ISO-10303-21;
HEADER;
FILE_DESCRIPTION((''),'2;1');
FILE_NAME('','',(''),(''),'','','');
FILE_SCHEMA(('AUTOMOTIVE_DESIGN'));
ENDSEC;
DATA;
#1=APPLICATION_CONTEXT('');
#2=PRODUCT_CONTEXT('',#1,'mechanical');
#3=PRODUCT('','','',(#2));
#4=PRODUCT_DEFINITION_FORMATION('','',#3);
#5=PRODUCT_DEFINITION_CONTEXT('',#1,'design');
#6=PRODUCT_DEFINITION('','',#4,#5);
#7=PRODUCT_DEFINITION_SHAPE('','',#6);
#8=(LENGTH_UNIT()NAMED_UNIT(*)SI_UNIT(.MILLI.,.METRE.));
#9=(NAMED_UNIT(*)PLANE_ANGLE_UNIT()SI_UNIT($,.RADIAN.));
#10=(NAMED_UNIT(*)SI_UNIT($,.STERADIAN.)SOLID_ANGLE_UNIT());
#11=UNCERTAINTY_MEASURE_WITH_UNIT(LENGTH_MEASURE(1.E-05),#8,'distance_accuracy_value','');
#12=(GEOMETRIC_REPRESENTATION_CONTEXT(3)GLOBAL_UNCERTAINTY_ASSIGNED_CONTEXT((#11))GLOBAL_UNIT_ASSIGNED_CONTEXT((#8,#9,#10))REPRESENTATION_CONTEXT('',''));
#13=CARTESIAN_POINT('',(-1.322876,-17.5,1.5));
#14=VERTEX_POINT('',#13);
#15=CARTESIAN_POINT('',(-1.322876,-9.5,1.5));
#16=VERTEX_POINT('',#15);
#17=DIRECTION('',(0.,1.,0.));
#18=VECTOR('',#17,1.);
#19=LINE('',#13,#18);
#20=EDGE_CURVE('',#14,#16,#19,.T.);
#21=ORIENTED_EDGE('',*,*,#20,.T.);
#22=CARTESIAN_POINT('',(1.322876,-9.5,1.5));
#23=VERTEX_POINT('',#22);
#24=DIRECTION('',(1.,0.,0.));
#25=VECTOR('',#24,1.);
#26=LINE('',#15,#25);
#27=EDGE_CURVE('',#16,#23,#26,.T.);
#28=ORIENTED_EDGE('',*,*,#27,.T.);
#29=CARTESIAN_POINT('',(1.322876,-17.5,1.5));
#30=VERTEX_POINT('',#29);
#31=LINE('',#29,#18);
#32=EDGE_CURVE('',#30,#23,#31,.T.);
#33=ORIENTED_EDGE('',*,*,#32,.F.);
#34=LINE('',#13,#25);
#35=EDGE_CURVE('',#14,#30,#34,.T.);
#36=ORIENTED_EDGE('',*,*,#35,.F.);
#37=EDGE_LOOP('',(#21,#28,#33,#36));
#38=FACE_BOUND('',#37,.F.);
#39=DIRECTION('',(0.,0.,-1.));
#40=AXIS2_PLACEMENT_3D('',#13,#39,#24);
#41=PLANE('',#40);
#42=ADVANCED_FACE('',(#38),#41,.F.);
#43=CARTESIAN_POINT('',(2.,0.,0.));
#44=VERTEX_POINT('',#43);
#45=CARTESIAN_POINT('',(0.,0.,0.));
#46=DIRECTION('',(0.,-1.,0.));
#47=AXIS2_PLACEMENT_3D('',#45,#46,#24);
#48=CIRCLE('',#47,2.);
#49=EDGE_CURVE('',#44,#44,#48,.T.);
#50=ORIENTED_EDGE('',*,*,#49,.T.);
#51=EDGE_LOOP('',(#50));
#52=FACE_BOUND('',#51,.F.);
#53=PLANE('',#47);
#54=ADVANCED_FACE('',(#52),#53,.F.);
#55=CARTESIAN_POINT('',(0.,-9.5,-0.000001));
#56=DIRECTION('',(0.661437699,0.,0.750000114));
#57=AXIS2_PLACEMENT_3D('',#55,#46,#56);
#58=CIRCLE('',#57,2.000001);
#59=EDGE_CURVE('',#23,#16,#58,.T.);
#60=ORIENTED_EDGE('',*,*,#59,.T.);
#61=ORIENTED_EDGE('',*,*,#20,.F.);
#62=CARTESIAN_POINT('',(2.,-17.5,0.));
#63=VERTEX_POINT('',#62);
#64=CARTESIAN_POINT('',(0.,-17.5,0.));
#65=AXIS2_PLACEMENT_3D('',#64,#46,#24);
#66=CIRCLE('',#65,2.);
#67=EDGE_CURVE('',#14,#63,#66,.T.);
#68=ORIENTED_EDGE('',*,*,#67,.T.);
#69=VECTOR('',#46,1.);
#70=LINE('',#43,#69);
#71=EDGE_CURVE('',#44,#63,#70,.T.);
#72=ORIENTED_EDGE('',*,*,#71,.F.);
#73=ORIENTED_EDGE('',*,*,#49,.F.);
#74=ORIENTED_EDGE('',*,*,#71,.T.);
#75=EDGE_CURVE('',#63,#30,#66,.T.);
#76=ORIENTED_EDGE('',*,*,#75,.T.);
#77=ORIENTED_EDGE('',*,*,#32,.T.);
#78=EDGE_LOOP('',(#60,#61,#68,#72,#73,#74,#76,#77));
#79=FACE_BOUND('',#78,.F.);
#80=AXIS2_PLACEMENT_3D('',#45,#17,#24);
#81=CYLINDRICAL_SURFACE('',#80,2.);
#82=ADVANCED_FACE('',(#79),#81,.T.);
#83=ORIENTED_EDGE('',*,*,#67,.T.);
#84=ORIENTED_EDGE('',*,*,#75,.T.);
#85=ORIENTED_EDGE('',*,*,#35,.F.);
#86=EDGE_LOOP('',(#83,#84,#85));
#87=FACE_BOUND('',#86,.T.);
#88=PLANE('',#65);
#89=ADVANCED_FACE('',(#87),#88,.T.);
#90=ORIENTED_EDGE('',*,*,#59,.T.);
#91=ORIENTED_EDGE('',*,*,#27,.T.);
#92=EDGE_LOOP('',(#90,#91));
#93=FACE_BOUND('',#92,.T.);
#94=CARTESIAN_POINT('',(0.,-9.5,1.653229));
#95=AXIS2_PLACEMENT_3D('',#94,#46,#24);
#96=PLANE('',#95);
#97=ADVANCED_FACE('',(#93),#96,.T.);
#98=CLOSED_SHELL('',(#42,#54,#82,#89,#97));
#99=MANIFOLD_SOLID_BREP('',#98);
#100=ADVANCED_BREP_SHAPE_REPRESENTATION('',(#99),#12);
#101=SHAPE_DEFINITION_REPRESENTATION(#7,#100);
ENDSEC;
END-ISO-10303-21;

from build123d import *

# Parameters (mm, degrees)
F0_R     = 2
F1_DEPTH = 17.5
F3_DEPTH = 8


with BuildPart() as f1:
    # F0 (on Front) → F1 (new body)
    with BuildSketch(Plane.XZ):
        Circle(F0_R)
    extrude(amount=F1_DEPTH)

    # F2 (on face) → F3 (cut)
    with BuildSketch(Plane.XZ.offset(17.5)):
        with BuildLine():
            ThreePointArc((1.322876, 1.5), (0, 2), (-1.322876, 1.5))
            Line((-1.322876, 1.5), (1.322876, 1.5))
        make_face()
    extrude(amount=-F3_DEPTH, mode=Mode.SUBTRACT)


solid = f1.part
